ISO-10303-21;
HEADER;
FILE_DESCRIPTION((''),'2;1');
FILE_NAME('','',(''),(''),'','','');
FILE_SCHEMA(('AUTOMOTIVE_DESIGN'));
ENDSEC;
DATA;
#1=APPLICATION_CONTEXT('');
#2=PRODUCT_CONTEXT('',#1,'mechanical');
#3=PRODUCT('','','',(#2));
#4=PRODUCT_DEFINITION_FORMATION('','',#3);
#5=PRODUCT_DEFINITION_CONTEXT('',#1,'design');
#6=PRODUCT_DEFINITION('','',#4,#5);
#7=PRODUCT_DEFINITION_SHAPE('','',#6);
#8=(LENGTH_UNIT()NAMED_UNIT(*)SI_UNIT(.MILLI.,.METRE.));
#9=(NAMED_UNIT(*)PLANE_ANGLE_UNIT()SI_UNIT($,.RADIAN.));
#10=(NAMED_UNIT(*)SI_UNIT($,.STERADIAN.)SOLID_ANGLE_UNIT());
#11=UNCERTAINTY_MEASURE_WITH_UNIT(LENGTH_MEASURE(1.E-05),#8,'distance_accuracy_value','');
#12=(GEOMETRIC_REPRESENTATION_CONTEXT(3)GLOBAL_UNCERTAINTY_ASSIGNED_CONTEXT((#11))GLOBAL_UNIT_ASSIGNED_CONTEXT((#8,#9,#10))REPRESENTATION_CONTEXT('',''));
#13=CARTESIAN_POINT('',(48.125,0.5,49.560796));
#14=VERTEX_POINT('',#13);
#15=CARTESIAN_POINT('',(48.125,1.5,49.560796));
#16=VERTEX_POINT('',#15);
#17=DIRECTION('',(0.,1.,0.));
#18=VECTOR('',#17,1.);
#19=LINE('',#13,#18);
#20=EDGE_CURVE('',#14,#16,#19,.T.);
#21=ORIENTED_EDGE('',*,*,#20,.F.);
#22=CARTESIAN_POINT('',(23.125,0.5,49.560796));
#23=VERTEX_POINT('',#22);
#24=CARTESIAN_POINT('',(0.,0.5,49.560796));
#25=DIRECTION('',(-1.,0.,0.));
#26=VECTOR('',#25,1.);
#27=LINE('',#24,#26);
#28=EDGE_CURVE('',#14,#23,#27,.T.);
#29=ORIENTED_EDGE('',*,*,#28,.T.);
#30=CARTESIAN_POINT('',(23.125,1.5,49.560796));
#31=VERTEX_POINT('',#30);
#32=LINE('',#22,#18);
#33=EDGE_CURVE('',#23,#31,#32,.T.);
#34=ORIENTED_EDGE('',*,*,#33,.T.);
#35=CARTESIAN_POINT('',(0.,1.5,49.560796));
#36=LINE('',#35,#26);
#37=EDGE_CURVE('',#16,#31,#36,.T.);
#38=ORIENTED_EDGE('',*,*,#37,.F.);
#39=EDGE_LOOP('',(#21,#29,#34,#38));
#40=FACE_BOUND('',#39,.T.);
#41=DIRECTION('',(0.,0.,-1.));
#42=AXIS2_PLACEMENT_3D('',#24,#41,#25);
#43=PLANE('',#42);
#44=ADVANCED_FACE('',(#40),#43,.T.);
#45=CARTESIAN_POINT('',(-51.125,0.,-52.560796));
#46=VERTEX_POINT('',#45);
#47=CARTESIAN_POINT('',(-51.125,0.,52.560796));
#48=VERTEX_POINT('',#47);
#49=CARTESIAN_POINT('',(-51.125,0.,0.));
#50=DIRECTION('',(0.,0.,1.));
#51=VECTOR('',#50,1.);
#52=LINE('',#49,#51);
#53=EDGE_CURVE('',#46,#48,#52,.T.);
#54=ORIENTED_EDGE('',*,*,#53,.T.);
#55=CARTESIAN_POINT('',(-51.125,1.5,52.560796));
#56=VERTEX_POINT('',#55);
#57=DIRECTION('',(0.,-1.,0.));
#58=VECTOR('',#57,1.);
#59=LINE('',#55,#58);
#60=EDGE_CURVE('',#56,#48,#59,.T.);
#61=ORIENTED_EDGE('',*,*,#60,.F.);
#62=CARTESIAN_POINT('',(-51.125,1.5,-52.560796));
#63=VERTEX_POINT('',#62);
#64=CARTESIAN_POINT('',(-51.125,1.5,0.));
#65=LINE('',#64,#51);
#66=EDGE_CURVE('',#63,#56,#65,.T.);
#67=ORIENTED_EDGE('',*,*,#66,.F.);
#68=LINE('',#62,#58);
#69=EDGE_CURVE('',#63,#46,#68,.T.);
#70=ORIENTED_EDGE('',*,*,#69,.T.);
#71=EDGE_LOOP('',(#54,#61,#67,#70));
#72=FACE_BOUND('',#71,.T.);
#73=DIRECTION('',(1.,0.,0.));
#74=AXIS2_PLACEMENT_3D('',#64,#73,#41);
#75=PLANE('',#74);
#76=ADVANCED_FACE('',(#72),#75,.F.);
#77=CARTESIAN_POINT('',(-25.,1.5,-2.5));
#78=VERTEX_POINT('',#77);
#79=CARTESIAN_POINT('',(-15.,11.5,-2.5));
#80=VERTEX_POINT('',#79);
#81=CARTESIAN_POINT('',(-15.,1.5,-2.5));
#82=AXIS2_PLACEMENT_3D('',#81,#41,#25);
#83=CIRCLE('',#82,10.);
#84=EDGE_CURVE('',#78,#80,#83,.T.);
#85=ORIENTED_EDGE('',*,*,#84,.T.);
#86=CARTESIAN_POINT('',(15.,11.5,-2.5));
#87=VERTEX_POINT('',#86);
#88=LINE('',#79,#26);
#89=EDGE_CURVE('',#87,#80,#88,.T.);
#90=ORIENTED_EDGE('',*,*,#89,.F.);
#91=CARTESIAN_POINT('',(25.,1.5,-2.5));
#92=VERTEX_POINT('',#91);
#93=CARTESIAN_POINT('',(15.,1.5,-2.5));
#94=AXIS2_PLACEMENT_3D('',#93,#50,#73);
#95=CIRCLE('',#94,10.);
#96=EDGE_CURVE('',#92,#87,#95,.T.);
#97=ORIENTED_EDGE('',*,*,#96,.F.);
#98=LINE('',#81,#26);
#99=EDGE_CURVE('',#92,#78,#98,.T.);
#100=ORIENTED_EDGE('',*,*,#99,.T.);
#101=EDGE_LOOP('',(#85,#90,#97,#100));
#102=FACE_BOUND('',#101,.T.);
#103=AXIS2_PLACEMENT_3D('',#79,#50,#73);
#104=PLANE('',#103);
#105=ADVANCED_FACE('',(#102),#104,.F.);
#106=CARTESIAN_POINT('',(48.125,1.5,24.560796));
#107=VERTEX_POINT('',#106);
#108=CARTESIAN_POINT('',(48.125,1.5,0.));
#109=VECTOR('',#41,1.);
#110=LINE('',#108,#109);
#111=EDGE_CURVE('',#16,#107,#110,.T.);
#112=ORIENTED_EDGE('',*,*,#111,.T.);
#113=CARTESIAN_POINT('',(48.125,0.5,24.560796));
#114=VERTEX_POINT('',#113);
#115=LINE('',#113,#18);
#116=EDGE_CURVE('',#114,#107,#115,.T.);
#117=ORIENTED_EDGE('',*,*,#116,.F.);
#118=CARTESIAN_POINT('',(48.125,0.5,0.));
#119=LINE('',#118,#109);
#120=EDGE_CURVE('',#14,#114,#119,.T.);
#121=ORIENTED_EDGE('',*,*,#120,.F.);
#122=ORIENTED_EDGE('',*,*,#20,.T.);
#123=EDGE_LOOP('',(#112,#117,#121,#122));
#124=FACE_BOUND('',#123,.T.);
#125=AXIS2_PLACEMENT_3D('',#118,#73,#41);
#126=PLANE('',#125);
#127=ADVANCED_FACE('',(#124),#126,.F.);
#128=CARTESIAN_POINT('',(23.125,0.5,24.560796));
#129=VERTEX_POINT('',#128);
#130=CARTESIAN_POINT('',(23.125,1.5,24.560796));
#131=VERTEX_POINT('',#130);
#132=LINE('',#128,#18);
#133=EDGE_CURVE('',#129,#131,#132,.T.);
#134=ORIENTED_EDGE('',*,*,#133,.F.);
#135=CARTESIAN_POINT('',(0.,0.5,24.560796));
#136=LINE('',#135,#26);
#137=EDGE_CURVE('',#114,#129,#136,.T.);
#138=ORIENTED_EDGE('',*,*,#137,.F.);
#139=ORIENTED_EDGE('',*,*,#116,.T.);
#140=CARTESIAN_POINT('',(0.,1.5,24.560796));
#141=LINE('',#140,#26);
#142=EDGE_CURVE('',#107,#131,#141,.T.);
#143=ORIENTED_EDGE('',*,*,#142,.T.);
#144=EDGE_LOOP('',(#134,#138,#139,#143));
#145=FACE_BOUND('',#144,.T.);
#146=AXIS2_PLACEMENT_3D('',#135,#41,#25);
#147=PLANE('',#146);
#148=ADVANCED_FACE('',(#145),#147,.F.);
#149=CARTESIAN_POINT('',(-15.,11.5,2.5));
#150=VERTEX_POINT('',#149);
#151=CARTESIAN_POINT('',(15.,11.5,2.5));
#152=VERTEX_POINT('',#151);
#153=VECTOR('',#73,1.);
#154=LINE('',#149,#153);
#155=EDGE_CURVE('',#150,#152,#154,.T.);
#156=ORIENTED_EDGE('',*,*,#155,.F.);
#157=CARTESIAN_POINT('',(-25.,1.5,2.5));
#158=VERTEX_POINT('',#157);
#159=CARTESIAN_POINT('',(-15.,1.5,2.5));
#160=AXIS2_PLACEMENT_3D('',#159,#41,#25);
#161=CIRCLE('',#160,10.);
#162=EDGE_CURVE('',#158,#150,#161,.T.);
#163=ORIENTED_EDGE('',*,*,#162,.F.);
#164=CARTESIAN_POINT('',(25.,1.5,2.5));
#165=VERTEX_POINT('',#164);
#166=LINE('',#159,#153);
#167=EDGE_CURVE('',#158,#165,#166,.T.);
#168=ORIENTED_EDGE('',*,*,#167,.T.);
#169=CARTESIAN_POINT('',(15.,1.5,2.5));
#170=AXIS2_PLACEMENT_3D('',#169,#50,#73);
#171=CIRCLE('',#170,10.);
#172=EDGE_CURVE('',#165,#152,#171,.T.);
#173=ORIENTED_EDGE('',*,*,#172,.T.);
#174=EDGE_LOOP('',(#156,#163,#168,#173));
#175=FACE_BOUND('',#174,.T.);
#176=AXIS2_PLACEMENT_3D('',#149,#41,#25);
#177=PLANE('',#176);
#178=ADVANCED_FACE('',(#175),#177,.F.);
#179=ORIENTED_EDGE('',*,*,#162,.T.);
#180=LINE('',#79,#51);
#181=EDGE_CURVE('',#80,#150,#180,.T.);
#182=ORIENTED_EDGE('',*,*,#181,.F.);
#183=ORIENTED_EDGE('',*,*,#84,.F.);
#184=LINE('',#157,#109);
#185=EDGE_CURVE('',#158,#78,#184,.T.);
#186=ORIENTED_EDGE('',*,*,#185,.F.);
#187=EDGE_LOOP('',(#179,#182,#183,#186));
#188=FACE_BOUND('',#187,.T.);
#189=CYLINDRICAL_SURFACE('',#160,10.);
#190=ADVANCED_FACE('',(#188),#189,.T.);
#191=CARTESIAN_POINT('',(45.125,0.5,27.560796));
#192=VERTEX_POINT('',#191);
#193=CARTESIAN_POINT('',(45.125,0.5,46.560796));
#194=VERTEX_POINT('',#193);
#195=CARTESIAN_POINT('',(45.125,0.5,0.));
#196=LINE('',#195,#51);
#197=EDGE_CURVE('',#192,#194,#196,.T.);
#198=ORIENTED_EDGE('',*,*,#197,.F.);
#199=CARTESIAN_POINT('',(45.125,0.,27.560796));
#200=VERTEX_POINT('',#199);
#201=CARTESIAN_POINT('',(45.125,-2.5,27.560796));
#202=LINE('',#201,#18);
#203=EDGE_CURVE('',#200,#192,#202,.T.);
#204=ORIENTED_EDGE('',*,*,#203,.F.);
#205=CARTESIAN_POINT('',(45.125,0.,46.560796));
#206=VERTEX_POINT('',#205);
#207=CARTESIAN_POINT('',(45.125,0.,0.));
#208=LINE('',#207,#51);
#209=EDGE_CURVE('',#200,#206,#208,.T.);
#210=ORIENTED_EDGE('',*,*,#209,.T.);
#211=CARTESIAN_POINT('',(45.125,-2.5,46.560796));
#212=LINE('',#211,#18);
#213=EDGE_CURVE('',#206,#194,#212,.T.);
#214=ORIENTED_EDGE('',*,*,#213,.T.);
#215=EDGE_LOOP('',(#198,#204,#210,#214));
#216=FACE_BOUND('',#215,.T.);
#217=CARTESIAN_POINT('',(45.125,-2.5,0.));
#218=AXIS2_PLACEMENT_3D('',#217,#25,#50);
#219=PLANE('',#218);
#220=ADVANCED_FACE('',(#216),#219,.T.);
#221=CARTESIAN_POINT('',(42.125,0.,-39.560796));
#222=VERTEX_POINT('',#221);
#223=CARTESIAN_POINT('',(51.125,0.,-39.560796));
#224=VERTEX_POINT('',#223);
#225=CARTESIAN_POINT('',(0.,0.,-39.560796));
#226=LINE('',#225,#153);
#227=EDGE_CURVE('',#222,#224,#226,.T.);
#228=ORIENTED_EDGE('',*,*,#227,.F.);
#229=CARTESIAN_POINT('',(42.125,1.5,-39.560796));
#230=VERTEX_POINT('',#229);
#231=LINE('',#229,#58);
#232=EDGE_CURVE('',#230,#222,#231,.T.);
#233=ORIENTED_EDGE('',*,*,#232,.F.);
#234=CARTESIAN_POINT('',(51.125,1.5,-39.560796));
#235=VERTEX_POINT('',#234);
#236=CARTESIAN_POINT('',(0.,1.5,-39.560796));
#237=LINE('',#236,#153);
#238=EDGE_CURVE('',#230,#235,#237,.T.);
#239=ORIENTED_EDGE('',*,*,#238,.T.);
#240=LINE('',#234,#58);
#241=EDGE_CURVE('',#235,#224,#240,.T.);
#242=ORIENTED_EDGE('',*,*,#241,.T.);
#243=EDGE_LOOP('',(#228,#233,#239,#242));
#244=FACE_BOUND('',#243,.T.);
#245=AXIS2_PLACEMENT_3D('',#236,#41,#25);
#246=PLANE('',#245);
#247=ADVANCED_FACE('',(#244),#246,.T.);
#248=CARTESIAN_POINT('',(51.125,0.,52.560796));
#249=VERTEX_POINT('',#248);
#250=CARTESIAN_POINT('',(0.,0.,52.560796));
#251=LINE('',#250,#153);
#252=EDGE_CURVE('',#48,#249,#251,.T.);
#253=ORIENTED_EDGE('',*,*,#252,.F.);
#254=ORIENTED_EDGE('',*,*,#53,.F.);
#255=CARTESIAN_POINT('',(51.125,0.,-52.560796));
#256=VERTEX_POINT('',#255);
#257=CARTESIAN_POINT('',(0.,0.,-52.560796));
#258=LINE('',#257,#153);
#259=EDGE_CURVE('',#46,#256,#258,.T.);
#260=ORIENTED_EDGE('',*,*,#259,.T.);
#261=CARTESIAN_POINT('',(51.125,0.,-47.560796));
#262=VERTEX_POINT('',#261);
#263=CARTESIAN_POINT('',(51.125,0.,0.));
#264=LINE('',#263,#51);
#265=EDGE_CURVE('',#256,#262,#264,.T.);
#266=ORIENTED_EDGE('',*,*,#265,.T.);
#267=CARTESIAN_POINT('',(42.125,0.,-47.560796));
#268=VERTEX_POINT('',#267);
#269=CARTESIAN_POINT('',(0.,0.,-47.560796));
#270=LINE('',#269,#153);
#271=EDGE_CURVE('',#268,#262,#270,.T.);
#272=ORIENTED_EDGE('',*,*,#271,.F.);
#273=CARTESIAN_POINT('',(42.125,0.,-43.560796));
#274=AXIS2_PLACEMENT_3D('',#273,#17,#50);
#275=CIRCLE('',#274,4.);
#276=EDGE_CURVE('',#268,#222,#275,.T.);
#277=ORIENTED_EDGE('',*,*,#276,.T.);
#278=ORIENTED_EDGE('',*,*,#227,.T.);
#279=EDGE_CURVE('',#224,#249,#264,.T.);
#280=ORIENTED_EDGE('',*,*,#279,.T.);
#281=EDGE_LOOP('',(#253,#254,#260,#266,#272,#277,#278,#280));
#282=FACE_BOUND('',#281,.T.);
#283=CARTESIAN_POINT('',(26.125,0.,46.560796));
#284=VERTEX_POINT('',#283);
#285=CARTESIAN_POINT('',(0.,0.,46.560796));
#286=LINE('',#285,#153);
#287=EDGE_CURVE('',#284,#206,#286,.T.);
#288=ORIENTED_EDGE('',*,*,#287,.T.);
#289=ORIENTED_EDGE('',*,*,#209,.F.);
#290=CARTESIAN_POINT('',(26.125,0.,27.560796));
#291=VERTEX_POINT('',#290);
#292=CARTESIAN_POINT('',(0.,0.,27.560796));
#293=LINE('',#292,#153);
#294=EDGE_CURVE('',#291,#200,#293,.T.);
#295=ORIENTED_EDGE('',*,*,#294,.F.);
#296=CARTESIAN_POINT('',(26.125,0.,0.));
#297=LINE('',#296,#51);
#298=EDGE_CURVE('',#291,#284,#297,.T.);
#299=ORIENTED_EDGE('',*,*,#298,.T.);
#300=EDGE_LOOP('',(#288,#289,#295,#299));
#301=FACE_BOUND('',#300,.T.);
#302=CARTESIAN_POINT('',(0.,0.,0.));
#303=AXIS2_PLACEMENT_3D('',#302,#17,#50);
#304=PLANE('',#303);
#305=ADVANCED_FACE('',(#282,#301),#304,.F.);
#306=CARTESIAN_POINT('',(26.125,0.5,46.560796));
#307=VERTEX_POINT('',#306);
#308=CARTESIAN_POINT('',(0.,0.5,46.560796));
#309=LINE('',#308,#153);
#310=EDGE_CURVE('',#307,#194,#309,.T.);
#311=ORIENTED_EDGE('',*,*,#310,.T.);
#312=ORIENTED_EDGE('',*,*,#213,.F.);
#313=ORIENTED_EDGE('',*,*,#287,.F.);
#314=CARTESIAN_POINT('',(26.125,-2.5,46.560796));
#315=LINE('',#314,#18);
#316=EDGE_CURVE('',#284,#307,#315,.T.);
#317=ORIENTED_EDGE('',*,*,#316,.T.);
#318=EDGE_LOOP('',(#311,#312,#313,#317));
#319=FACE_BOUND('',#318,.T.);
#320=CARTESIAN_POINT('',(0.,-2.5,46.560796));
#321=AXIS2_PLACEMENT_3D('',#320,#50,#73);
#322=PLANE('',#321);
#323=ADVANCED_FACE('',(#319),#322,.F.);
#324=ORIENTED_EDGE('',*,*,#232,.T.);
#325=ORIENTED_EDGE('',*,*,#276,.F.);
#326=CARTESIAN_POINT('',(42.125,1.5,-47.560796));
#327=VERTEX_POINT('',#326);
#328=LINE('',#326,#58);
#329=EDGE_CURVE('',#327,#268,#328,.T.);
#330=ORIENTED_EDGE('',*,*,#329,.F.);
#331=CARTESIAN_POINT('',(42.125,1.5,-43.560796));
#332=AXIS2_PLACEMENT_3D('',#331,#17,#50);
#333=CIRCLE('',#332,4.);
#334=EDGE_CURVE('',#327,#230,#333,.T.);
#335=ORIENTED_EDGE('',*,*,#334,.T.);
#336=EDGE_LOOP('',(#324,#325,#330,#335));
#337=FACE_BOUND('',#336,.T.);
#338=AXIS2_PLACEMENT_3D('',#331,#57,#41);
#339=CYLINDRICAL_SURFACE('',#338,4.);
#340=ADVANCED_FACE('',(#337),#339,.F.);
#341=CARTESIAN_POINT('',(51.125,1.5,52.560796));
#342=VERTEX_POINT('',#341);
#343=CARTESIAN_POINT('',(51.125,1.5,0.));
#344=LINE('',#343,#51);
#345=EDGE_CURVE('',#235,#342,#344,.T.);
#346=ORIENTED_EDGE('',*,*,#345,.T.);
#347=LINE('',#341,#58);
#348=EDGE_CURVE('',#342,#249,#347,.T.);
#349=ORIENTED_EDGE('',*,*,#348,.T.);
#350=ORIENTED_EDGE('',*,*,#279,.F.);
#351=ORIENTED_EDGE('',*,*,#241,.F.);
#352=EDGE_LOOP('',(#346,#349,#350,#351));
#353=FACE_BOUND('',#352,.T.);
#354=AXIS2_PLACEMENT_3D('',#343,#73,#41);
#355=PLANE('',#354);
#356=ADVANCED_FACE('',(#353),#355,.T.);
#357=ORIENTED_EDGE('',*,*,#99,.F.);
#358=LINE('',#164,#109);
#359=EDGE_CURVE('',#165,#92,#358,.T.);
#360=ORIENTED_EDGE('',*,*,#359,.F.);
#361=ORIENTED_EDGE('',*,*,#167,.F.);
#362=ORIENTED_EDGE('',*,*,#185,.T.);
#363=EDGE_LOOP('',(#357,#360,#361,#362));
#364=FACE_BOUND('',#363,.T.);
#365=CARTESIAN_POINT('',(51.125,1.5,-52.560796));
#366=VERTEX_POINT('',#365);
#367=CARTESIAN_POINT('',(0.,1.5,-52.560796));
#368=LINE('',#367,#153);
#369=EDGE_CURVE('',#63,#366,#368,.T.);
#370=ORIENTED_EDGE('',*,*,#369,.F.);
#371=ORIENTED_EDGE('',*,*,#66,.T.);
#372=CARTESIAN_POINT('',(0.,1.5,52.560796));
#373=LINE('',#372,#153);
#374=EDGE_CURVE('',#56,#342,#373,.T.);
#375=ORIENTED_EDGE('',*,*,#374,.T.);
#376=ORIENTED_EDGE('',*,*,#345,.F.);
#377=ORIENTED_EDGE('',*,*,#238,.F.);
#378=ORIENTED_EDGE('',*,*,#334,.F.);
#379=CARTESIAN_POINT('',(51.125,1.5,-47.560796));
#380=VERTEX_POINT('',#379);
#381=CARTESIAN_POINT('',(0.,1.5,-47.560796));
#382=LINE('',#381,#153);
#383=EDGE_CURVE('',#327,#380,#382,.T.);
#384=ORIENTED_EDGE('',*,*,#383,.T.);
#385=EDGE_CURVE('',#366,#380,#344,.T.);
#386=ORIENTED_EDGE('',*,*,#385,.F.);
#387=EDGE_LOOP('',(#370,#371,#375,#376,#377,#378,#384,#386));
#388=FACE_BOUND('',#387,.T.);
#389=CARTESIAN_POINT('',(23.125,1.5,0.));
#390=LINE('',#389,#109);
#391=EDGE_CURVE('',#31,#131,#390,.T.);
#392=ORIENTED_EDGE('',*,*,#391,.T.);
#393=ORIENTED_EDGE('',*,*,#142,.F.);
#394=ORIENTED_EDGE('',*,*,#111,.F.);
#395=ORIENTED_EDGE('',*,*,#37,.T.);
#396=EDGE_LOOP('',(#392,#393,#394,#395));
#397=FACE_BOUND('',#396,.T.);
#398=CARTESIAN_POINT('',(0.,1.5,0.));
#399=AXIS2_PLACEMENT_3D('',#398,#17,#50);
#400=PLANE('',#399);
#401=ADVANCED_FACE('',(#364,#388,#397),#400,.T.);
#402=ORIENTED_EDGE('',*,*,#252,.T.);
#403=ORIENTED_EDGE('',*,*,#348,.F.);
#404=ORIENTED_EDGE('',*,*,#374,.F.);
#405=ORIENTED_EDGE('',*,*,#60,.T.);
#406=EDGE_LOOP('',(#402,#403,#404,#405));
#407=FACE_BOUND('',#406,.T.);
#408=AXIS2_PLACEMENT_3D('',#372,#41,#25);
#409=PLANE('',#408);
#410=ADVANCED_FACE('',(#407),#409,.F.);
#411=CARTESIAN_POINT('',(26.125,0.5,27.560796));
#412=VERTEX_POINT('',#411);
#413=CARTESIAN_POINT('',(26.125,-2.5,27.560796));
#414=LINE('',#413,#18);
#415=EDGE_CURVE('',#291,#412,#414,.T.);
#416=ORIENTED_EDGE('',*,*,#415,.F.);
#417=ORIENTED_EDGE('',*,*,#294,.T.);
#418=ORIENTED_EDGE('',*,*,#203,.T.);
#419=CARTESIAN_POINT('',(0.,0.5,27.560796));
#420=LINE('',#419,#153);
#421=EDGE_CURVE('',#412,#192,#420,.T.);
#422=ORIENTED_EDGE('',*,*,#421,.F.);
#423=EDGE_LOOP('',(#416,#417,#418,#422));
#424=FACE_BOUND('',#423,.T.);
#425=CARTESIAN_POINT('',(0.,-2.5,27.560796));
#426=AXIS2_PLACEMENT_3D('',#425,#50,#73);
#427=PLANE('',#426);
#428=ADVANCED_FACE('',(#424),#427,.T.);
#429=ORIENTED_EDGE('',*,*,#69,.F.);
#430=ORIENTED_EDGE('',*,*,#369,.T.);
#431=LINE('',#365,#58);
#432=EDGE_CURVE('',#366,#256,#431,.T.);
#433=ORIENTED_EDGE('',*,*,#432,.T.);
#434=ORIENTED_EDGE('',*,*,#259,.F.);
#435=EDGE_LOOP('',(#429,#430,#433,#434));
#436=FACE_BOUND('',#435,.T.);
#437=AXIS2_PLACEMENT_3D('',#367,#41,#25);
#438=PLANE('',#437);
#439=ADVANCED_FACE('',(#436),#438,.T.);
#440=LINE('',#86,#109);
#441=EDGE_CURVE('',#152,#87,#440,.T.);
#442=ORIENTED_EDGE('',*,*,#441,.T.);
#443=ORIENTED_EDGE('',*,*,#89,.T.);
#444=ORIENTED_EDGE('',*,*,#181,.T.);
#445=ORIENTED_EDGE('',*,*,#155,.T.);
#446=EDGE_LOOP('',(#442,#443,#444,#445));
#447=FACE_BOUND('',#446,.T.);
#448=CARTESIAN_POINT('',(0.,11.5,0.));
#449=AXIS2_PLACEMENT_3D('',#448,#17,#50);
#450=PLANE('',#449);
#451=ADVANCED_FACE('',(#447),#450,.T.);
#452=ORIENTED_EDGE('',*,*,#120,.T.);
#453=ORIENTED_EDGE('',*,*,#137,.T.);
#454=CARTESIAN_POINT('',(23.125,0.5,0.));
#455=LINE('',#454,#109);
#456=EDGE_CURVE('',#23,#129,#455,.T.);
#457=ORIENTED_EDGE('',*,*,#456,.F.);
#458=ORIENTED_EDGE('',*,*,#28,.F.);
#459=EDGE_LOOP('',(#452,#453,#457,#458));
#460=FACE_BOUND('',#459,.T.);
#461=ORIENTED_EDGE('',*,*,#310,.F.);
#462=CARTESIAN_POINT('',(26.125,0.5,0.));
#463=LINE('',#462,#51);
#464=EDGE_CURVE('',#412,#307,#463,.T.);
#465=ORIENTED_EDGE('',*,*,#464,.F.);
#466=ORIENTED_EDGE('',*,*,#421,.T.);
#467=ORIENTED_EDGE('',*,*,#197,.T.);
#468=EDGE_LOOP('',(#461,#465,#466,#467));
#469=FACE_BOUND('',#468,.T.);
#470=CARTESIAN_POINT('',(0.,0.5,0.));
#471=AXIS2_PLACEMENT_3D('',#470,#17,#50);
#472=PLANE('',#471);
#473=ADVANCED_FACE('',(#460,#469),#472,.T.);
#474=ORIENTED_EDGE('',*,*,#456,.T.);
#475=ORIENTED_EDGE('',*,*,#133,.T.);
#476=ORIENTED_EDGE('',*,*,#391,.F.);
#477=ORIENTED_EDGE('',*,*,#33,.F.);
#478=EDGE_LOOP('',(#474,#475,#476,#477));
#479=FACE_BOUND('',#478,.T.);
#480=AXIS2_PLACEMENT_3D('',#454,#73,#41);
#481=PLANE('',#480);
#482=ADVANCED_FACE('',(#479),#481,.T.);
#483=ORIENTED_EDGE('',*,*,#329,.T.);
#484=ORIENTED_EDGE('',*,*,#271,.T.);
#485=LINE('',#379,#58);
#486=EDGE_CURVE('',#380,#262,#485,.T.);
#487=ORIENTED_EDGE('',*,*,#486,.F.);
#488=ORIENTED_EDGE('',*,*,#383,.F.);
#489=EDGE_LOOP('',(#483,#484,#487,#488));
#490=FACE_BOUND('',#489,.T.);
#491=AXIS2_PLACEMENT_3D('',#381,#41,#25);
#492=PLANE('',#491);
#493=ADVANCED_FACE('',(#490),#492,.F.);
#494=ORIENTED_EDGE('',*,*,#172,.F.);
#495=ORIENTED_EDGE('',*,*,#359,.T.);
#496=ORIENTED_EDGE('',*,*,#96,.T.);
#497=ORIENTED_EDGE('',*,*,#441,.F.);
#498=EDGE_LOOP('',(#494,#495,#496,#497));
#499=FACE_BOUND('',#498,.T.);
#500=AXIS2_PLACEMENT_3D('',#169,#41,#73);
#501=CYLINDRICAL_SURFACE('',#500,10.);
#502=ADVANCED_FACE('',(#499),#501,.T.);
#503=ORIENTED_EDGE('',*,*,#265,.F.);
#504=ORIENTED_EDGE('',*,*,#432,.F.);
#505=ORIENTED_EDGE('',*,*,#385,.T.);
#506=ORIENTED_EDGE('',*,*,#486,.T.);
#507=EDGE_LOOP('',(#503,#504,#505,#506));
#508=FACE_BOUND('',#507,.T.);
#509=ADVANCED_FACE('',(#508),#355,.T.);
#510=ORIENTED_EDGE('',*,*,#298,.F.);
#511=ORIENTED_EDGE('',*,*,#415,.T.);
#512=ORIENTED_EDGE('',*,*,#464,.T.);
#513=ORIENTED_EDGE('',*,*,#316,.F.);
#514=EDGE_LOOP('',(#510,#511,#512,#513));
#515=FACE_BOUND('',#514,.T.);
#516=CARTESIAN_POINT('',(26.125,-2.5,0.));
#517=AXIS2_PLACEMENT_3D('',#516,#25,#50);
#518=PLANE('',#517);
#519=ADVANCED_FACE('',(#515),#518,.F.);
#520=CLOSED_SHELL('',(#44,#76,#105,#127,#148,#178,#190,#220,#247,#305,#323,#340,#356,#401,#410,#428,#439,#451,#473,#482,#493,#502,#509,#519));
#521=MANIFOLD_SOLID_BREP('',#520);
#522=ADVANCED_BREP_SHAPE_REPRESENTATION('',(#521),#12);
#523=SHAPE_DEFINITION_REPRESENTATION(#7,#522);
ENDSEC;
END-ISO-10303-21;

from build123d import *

# Parameters (mm, degrees)
BOSS_EXTRUDE1_DEPTH = 1.5
SKETCH2_W           = 30
SKETCH2_H           = 5
BOSS_EXTRUDE2_DEPTH = 10
SKETCH3_W           = 10
SKETCH3_H           = 5
REVOLVE_THIN1_ANGLE = 180
SKETCH5_W           = 25
SKETCH5_H           = 25
CUT_EXTRUDE1_DEPTH  = 1
SKETCH6_W           = 19
SKETCH6_H           = 19
CUT_EXTRUDE2_DEPTH  = 3


with BuildPart() as part:
    # Sketch1 → Boss-Extrude1 (new body)
    with BuildSketch(Plane(origin=(0, 0, 0), x_dir=(1, 0, 0), z_dir=(0, 1, 0))):
        with BuildLine():
            ThreePointArc((42.125, 39.560795807), (38.125, 43.560795807), (42.125, 47.560795807))
            Line((42.125, 47.560795807), (51.125, 47.560795807))
            Line((51.125, 47.560795807), (51.125, 52.560795807))
            Line((51.125, 52.560795807), (-51.125, 52.560795807))
            Line((-51.125, 52.560795807), (-51.125, -52.560795807))
            Line((-51.125, -52.560795807), (51.125, -52.560795807))
            Line((51.125, -52.560795807), (51.125, 39.560795807))
            Line((51.125, 39.560795807), (42.125, 39.560795807))
        make_face()
    extrude(amount=BOSS_EXTRUDE1_DEPTH)

    # Sketch2 → Boss-Extrude2 (add)
    with BuildSketch(Plane(origin=(0, 1.5, 0), x_dir=(1, 0, 0), z_dir=(0, 1, 0))):
        Rectangle(SKETCH2_W, SKETCH2_H)
    extrude(amount=BOSS_EXTRUDE2_DEPTH)

    # Sketch3 → Revolve-Thin1 (revolve)
    with BuildSketch(Plane(origin=(0, 1.5, 0), x_dir=(1, 0, 0), z_dir=(0, 1, 0))):
        with Locations((-20, 0)):
            Rectangle(SKETCH3_W, SKETCH3_H)
    revolve_thin1 = revolve(axis=Axis((-15, 1.5, 2.5), (0, 0, -1)), revolution_arc=REVOLVE_THIN1_ANGLE)

    # Mirror1: Revolve-Thin1 across plane
    add(revolve_thin1.mirror(Plane(origin=(0, 0, 0), x_dir=(0, 0, 1), z_dir=(1, 0, 0))))

    # Sketch5 → Cut-Extrude1 (cut)
    with BuildSketch(Plane(origin=(0, 1.5, 0), x_dir=(1, 0, 0), z_dir=(0, 1, 0))):
        with Locations((35.625, -37.060795807)):
            Rectangle(SKETCH5_W, SKETCH5_H)
    extrude(amount=-CUT_EXTRUDE1_DEPTH, mode=Mode.SUBTRACT)

    # Sketch6 → Cut-Extrude2 (cut)
    with BuildSketch(Plane(origin=(0, 0.5, 0), x_dir=(1, 0, 0), z_dir=(0, 1, 0))):
        with Locations((35.625, -37.060795807)):
            Rectangle(SKETCH6_W, SKETCH6_H)
    extrude(amount=-CUT_EXTRUDE2_DEPTH, mode=Mode.SUBTRACT)


solid = part.part
